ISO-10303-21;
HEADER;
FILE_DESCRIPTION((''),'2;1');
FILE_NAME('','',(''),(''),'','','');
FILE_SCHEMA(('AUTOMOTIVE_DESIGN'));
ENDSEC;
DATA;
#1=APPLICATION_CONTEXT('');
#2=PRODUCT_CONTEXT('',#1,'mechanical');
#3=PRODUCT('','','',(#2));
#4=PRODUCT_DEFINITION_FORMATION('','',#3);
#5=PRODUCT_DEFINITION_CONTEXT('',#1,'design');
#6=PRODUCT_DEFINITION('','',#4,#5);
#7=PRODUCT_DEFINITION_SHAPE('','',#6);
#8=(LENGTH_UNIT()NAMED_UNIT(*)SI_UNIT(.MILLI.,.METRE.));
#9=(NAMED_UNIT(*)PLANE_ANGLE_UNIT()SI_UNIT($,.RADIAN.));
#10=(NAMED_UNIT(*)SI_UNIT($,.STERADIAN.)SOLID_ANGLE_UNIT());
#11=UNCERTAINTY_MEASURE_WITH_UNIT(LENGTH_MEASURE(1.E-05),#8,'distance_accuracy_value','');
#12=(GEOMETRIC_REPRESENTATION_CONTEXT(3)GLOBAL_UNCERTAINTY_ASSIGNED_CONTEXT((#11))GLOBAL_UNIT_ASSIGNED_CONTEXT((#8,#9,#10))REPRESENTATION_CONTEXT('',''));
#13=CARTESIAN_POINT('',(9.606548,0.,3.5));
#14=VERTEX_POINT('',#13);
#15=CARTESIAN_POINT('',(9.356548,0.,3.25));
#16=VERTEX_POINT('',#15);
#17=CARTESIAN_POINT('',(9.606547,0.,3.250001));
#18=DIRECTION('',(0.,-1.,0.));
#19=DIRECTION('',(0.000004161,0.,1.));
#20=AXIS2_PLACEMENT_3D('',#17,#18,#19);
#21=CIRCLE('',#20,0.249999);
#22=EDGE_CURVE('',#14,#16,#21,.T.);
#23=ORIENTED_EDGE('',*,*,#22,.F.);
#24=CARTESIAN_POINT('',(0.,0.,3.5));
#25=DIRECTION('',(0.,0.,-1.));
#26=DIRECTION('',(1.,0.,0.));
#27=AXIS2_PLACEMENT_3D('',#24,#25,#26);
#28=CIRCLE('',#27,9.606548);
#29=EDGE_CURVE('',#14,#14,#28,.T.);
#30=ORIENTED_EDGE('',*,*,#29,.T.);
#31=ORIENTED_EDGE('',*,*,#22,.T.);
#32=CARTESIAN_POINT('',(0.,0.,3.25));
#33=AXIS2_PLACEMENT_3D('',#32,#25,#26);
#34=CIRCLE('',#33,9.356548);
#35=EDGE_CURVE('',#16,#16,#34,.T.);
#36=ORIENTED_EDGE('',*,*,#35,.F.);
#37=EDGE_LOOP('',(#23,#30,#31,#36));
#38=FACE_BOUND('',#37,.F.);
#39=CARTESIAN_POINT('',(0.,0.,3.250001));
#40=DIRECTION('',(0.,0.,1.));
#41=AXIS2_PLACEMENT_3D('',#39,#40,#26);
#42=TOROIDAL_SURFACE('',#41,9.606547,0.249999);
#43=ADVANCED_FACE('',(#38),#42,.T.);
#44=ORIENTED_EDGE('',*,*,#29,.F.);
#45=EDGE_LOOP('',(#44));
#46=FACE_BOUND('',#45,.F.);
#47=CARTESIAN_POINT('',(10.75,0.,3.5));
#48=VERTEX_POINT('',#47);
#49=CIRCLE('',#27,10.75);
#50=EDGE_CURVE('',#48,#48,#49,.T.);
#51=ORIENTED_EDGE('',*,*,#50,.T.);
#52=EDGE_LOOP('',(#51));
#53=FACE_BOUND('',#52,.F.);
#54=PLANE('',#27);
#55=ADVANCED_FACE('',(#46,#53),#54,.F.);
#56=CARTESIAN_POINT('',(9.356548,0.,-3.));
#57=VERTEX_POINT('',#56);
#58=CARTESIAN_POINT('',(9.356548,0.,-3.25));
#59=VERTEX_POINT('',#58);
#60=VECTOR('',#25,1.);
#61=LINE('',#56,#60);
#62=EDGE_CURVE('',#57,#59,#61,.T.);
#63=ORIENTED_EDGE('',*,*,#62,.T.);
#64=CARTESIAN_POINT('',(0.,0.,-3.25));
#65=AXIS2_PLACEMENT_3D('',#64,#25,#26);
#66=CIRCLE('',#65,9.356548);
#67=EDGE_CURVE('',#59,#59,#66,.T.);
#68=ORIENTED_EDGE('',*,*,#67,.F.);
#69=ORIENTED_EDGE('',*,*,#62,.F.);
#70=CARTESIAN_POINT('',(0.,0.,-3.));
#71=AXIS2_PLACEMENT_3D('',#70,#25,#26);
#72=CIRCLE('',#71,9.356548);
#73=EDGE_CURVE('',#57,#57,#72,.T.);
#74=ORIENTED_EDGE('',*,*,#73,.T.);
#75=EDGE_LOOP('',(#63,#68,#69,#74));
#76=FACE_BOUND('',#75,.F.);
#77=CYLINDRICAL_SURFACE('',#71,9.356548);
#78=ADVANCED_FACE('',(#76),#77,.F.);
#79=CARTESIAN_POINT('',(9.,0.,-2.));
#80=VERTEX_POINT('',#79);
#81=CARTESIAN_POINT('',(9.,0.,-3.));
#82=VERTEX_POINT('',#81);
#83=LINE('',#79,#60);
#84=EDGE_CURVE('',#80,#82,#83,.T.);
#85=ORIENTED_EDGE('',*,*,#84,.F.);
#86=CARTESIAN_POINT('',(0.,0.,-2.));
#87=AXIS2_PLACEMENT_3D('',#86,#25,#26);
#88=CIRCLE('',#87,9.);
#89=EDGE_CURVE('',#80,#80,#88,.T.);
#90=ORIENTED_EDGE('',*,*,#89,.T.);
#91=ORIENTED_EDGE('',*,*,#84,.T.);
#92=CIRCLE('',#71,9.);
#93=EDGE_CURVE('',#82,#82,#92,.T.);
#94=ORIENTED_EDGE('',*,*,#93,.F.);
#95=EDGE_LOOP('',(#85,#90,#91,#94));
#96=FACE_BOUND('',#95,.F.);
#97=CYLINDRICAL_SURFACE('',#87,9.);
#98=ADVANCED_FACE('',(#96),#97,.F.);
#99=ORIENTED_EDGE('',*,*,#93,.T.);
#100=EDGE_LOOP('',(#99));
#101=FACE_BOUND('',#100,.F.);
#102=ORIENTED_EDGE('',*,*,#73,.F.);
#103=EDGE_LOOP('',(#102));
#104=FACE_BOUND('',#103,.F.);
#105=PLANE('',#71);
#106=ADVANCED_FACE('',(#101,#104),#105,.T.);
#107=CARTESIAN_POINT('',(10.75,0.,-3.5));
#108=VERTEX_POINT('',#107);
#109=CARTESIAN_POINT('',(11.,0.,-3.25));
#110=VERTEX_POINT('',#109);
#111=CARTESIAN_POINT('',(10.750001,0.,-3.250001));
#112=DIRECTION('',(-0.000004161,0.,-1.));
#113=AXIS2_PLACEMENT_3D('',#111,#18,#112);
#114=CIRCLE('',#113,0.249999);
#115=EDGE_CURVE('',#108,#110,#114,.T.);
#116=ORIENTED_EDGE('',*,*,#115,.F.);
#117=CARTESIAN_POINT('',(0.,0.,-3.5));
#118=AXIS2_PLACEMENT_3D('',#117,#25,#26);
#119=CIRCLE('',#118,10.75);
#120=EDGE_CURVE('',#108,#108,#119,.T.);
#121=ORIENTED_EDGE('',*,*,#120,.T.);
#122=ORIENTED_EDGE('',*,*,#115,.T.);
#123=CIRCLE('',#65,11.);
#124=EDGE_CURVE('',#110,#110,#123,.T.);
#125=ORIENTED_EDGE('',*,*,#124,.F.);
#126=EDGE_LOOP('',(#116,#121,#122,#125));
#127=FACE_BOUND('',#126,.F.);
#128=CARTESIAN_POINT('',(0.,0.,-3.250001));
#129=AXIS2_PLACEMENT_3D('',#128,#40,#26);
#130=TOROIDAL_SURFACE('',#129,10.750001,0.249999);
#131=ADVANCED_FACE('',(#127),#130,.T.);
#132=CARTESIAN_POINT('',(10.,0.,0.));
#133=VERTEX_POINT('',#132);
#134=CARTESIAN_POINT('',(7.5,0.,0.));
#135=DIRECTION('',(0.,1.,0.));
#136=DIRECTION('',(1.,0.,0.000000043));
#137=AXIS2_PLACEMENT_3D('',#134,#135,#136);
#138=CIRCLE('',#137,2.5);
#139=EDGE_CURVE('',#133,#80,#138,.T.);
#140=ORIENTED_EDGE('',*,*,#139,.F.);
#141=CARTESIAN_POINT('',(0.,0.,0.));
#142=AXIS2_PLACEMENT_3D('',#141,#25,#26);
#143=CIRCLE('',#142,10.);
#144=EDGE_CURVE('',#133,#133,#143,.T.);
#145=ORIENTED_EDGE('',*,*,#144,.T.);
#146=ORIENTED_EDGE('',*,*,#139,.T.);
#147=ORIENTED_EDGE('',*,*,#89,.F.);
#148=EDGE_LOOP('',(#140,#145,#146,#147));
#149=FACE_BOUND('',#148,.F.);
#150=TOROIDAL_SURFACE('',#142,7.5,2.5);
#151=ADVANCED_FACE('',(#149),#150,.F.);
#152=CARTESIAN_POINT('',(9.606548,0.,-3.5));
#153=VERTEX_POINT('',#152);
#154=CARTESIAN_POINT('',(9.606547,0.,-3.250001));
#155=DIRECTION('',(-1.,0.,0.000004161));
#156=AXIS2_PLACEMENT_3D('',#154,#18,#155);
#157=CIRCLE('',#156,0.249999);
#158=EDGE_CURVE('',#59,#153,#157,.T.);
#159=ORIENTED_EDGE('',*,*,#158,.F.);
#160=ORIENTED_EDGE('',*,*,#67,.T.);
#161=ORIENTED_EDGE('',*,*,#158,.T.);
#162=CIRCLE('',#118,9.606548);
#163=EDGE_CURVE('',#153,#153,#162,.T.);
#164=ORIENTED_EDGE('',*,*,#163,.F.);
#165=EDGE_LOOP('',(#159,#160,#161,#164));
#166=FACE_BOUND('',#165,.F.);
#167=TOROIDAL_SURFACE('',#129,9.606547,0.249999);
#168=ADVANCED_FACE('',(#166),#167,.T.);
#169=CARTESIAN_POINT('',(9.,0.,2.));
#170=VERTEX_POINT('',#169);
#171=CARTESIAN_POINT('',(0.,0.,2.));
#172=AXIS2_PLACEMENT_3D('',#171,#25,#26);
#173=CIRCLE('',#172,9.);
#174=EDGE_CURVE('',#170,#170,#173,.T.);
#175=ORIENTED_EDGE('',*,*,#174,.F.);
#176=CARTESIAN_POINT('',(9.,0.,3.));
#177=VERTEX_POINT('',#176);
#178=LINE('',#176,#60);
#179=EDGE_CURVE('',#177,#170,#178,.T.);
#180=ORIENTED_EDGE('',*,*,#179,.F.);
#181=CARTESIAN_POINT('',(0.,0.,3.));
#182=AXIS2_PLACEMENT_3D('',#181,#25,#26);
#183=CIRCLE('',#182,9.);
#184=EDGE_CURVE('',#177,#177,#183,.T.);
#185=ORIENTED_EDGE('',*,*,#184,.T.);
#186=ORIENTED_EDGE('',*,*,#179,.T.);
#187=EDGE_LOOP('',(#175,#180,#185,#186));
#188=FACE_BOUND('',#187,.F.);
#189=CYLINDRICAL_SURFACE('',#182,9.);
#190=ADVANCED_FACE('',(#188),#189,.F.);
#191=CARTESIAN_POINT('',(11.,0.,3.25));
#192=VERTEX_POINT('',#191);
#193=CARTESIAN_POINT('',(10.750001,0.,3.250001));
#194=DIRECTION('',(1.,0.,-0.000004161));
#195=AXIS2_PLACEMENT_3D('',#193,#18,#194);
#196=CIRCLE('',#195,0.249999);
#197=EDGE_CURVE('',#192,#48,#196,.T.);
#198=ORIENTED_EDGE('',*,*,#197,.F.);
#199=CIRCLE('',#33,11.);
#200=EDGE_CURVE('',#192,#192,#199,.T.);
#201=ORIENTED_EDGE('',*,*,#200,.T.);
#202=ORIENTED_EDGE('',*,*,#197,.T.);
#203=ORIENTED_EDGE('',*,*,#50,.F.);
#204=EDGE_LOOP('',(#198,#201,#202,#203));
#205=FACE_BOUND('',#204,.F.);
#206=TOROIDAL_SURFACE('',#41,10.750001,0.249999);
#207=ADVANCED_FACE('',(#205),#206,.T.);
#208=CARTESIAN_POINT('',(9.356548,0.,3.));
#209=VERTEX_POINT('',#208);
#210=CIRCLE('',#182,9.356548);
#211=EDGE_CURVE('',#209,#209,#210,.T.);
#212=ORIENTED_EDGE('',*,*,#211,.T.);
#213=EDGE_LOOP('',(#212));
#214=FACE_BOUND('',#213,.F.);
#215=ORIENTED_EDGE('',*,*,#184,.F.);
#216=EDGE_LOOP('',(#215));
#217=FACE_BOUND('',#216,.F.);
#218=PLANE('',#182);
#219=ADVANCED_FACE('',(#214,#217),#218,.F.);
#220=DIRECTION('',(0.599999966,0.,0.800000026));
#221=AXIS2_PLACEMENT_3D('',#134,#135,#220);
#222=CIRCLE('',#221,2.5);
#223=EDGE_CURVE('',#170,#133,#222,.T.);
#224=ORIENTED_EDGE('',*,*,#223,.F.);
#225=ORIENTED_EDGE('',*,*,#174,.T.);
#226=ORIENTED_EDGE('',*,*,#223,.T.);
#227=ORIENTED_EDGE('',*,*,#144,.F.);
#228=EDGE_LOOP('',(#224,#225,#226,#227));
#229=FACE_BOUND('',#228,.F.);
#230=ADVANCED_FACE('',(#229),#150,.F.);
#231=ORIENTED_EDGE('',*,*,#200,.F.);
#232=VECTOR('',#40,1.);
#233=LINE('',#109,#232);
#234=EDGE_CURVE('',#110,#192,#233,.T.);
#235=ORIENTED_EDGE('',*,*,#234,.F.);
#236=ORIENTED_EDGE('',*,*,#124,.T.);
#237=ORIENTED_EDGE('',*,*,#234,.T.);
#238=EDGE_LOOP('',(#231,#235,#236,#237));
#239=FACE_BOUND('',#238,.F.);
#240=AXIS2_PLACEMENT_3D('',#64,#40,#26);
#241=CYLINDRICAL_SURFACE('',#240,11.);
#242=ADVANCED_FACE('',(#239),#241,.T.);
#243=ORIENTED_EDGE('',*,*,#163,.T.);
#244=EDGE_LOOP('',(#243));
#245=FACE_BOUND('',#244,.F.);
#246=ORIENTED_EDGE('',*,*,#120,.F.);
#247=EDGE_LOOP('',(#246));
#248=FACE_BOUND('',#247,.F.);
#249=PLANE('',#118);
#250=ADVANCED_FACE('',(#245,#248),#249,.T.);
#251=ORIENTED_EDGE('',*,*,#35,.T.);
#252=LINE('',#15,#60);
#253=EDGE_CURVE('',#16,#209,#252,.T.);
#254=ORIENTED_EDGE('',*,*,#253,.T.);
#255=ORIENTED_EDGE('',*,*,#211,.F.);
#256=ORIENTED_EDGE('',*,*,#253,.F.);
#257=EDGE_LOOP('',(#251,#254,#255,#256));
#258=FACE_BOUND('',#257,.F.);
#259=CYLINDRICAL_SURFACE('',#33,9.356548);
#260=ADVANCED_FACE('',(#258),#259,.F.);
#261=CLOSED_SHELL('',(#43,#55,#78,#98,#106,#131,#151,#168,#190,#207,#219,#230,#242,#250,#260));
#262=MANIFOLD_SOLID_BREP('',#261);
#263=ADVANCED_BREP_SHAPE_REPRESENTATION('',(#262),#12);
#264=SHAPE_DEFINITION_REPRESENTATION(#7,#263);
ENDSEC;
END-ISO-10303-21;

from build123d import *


with BuildPart() as f1:
    # F0 (on Front) → F1 (revolve)
    with BuildSketch(Plane.XZ):
        with BuildLine():
            ThreePointArc((9, 2), (9.736068, 1.118034), (10, 0))
            Line((10, 0), (11, 0))
            Line((11, 0), (11, 3.25))
            ThreePointArc((11, 3.25), (10.926777, 3.426777), (10.75, 3.5))
            Line((10.75, 3.5), (9.606548, 3.5))
            ThreePointArc((9.606548, 3.5), (9.429771, 3.426777), (9.356548, 3.25))
            Line((9.356548, 3.25), (9.356548, 3))
            Line((9.356548, 3), (9, 3))
            Line((9, 3), (9, 2))
        make_face()
        with BuildLine():
            Line((11, 0), (10, 0))
            ThreePointArc((10, 0), (9.736068, -1.118034), (9, -2))
            Line((9, -2), (9, -3))
            Line((9, -3), (9.356548, -3))
            Line((9.356548, -3), (9.356548, -3.25))
            ThreePointArc((9.356548, -3.25), (9.429771, -3.426777), (9.606548, -3.5))
            Line((9.606548, -3.5), (10.75, -3.5))
            ThreePointArc((10.75, -3.5), (10.926777, -3.426777), (11, -3.25))
            Line((11, -3.25), (11, 0))
        make_face()
    revolve(axis=Axis((0, 0, -0.050428), (0, 0, -1)))


solid = f1.part
